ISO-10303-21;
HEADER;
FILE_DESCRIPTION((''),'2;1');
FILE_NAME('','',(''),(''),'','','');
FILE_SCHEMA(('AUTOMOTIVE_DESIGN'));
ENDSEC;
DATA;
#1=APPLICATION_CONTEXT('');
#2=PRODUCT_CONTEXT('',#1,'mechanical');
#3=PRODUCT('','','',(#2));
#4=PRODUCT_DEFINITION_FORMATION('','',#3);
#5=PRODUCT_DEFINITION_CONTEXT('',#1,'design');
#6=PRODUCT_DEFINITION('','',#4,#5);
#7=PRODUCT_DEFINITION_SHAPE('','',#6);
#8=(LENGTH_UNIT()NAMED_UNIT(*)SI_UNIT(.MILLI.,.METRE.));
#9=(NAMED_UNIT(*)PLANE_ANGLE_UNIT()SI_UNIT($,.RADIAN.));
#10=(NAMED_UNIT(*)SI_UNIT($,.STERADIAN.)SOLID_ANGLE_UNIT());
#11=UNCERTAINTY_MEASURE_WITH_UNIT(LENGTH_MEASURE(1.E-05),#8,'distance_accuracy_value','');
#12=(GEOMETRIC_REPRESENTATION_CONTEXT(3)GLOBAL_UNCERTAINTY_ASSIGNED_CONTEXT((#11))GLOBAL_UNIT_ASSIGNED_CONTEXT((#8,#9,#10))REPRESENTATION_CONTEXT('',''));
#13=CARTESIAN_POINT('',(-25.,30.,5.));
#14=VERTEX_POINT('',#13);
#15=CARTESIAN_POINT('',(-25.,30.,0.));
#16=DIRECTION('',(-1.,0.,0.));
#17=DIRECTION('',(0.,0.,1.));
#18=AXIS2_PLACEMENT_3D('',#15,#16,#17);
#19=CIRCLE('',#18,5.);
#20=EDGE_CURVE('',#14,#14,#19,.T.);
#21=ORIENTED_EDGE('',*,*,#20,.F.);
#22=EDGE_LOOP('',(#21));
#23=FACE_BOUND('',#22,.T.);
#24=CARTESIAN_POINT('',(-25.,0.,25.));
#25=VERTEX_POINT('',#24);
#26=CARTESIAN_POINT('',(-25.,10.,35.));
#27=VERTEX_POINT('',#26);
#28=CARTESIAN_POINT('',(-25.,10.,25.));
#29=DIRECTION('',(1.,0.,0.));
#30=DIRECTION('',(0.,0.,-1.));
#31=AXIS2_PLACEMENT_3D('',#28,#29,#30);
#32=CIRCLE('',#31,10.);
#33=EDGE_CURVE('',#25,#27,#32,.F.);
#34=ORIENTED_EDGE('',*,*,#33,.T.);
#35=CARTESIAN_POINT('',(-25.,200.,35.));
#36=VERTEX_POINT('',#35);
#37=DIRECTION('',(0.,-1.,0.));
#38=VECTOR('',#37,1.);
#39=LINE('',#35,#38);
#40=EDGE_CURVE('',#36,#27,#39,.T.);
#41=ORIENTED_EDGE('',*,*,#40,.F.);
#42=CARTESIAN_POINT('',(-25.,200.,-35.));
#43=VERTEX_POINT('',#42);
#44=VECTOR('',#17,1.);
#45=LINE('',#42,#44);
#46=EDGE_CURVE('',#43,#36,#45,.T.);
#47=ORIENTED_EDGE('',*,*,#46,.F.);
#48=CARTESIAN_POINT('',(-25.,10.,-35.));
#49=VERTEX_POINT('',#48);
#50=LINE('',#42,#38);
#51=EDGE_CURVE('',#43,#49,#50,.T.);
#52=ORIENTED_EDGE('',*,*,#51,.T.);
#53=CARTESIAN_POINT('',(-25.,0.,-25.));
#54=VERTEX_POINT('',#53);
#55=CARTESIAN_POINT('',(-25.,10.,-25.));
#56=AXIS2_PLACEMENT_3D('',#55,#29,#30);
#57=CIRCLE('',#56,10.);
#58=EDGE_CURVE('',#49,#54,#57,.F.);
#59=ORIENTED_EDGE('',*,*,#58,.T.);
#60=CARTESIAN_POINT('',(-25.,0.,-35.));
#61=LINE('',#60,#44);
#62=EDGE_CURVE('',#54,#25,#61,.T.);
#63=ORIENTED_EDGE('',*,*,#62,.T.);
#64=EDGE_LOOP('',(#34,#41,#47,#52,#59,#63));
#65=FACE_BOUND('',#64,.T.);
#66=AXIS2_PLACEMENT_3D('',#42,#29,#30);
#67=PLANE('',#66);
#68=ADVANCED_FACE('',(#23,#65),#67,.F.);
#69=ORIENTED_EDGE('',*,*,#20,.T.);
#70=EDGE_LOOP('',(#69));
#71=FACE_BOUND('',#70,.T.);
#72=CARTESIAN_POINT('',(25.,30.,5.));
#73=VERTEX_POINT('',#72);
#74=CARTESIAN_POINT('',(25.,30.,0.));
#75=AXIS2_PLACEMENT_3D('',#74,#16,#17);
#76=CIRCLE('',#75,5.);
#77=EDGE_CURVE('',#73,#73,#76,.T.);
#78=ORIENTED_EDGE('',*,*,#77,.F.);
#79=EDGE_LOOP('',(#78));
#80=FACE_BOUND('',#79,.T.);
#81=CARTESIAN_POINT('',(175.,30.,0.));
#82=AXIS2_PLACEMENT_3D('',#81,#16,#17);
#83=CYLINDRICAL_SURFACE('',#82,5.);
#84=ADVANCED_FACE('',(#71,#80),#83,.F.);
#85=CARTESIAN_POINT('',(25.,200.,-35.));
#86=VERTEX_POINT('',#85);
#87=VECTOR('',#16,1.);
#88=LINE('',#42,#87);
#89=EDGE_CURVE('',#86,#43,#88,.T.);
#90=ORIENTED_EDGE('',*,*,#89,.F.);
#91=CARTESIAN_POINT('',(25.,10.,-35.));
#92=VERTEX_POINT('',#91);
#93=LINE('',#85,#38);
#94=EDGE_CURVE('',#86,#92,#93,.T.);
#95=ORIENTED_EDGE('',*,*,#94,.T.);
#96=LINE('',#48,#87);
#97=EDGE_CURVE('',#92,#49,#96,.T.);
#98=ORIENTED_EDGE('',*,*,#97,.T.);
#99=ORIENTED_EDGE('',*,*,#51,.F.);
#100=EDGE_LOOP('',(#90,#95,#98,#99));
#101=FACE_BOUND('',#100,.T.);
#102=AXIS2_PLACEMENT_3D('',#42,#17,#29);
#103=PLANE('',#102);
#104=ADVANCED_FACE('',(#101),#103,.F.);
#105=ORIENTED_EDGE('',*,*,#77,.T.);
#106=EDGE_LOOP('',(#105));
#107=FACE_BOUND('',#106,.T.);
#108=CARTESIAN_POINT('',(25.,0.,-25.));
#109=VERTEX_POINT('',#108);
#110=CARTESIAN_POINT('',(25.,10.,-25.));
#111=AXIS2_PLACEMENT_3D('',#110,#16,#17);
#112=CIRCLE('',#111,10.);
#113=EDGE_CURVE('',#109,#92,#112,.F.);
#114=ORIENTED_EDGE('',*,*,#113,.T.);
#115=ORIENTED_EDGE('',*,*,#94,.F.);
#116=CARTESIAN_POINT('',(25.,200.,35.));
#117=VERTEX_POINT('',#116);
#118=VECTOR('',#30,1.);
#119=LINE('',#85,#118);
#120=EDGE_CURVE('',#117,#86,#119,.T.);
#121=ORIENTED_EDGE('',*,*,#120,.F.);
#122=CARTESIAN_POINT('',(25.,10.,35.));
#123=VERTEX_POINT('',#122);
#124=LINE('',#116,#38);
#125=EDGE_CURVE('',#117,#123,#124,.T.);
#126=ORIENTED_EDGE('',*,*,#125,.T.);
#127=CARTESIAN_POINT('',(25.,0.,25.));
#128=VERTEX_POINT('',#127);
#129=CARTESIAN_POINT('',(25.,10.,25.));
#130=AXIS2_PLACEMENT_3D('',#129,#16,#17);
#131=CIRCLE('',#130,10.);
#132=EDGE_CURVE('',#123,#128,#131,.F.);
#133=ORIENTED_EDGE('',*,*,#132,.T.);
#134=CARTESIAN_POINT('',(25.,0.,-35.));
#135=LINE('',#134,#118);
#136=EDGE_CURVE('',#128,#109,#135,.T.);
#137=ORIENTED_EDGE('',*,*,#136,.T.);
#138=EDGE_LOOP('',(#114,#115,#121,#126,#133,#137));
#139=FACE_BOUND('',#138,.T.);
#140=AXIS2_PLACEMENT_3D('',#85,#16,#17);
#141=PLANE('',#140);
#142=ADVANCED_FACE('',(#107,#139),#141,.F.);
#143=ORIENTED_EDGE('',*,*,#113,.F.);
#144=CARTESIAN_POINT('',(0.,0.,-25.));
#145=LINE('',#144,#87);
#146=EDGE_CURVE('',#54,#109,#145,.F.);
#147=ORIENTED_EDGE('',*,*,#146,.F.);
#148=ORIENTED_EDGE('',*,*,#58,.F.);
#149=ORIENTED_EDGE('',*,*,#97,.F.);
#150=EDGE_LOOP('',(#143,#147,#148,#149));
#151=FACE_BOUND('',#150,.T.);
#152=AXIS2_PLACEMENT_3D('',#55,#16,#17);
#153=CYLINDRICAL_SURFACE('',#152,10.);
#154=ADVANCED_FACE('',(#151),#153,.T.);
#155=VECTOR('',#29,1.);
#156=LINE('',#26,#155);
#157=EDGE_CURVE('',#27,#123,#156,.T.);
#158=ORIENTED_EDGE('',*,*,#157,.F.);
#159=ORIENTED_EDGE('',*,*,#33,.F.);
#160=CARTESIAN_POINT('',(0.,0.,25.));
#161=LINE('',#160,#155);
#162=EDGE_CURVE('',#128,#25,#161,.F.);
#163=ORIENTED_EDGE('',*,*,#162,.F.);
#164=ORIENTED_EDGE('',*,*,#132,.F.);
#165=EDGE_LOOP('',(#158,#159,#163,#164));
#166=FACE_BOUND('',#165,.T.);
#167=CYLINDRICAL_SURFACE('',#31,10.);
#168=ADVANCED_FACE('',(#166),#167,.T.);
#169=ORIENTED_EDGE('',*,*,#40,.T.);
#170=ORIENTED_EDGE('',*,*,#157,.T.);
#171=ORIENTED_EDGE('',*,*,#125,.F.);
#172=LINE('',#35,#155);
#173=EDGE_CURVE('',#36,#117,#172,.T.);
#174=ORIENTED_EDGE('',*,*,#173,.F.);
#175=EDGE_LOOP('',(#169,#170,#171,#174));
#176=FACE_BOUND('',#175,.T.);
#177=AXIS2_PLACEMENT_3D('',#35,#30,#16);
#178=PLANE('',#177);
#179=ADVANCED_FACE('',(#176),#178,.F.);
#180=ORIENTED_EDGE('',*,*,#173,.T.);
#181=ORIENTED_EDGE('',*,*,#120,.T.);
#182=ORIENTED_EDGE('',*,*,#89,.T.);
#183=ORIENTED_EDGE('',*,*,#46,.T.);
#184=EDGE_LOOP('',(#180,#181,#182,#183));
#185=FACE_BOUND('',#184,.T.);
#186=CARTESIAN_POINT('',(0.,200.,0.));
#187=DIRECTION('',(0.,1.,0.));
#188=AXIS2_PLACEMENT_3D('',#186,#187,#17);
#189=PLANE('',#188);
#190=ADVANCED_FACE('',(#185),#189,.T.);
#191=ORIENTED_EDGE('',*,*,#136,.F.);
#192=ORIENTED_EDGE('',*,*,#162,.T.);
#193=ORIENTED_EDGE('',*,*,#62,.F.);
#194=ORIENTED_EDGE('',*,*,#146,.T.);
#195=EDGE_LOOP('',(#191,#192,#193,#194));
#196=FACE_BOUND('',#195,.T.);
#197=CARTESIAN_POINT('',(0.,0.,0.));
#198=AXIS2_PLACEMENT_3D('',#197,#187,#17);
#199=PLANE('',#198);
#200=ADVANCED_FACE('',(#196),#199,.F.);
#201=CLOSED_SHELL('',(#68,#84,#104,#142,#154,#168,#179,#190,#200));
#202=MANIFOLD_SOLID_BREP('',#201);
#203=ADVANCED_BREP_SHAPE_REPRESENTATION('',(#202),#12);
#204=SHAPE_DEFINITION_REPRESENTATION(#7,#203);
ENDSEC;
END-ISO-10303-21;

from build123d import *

# Parameters (mm, degrees)
SKETCH1_W           = 50
SKETCH1_H           = 70
BOSS_EXTRUDE1_DEPTH = 200
SKETCH2_R           = 5
CUT_EXTRUDE1_DEPTH  = 200
FILLET1_R           = 10


with BuildPart() as part:
    # Sketch1 → Boss-Extrude1 (new body)
    with BuildSketch(Plane(origin=(0, 0, 0), x_dir=(1, 0, 0), z_dir=(0, 1, 0))):
        Rectangle(SKETCH1_W, SKETCH1_H)
    extrude(amount=BOSS_EXTRUDE1_DEPTH)

    # Sketch2 → Cut-Extrude1 (cut)
    with BuildSketch(Plane.ZY.offset(25)):
        with Locations((0, 30)):
            Circle(SKETCH2_R)
    extrude(amount=-CUT_EXTRUDE1_DEPTH, mode=Mode.SUBTRACT)

    # Fillet1
    fillet1_edges = [part.edges().sort_by_distance(p)[0] for p in [
        (0, 0, 35),
        (0, 0, -35),
    ]]
    fillet(fillet1_edges, radius=FILLET1_R)


solid = part.part
